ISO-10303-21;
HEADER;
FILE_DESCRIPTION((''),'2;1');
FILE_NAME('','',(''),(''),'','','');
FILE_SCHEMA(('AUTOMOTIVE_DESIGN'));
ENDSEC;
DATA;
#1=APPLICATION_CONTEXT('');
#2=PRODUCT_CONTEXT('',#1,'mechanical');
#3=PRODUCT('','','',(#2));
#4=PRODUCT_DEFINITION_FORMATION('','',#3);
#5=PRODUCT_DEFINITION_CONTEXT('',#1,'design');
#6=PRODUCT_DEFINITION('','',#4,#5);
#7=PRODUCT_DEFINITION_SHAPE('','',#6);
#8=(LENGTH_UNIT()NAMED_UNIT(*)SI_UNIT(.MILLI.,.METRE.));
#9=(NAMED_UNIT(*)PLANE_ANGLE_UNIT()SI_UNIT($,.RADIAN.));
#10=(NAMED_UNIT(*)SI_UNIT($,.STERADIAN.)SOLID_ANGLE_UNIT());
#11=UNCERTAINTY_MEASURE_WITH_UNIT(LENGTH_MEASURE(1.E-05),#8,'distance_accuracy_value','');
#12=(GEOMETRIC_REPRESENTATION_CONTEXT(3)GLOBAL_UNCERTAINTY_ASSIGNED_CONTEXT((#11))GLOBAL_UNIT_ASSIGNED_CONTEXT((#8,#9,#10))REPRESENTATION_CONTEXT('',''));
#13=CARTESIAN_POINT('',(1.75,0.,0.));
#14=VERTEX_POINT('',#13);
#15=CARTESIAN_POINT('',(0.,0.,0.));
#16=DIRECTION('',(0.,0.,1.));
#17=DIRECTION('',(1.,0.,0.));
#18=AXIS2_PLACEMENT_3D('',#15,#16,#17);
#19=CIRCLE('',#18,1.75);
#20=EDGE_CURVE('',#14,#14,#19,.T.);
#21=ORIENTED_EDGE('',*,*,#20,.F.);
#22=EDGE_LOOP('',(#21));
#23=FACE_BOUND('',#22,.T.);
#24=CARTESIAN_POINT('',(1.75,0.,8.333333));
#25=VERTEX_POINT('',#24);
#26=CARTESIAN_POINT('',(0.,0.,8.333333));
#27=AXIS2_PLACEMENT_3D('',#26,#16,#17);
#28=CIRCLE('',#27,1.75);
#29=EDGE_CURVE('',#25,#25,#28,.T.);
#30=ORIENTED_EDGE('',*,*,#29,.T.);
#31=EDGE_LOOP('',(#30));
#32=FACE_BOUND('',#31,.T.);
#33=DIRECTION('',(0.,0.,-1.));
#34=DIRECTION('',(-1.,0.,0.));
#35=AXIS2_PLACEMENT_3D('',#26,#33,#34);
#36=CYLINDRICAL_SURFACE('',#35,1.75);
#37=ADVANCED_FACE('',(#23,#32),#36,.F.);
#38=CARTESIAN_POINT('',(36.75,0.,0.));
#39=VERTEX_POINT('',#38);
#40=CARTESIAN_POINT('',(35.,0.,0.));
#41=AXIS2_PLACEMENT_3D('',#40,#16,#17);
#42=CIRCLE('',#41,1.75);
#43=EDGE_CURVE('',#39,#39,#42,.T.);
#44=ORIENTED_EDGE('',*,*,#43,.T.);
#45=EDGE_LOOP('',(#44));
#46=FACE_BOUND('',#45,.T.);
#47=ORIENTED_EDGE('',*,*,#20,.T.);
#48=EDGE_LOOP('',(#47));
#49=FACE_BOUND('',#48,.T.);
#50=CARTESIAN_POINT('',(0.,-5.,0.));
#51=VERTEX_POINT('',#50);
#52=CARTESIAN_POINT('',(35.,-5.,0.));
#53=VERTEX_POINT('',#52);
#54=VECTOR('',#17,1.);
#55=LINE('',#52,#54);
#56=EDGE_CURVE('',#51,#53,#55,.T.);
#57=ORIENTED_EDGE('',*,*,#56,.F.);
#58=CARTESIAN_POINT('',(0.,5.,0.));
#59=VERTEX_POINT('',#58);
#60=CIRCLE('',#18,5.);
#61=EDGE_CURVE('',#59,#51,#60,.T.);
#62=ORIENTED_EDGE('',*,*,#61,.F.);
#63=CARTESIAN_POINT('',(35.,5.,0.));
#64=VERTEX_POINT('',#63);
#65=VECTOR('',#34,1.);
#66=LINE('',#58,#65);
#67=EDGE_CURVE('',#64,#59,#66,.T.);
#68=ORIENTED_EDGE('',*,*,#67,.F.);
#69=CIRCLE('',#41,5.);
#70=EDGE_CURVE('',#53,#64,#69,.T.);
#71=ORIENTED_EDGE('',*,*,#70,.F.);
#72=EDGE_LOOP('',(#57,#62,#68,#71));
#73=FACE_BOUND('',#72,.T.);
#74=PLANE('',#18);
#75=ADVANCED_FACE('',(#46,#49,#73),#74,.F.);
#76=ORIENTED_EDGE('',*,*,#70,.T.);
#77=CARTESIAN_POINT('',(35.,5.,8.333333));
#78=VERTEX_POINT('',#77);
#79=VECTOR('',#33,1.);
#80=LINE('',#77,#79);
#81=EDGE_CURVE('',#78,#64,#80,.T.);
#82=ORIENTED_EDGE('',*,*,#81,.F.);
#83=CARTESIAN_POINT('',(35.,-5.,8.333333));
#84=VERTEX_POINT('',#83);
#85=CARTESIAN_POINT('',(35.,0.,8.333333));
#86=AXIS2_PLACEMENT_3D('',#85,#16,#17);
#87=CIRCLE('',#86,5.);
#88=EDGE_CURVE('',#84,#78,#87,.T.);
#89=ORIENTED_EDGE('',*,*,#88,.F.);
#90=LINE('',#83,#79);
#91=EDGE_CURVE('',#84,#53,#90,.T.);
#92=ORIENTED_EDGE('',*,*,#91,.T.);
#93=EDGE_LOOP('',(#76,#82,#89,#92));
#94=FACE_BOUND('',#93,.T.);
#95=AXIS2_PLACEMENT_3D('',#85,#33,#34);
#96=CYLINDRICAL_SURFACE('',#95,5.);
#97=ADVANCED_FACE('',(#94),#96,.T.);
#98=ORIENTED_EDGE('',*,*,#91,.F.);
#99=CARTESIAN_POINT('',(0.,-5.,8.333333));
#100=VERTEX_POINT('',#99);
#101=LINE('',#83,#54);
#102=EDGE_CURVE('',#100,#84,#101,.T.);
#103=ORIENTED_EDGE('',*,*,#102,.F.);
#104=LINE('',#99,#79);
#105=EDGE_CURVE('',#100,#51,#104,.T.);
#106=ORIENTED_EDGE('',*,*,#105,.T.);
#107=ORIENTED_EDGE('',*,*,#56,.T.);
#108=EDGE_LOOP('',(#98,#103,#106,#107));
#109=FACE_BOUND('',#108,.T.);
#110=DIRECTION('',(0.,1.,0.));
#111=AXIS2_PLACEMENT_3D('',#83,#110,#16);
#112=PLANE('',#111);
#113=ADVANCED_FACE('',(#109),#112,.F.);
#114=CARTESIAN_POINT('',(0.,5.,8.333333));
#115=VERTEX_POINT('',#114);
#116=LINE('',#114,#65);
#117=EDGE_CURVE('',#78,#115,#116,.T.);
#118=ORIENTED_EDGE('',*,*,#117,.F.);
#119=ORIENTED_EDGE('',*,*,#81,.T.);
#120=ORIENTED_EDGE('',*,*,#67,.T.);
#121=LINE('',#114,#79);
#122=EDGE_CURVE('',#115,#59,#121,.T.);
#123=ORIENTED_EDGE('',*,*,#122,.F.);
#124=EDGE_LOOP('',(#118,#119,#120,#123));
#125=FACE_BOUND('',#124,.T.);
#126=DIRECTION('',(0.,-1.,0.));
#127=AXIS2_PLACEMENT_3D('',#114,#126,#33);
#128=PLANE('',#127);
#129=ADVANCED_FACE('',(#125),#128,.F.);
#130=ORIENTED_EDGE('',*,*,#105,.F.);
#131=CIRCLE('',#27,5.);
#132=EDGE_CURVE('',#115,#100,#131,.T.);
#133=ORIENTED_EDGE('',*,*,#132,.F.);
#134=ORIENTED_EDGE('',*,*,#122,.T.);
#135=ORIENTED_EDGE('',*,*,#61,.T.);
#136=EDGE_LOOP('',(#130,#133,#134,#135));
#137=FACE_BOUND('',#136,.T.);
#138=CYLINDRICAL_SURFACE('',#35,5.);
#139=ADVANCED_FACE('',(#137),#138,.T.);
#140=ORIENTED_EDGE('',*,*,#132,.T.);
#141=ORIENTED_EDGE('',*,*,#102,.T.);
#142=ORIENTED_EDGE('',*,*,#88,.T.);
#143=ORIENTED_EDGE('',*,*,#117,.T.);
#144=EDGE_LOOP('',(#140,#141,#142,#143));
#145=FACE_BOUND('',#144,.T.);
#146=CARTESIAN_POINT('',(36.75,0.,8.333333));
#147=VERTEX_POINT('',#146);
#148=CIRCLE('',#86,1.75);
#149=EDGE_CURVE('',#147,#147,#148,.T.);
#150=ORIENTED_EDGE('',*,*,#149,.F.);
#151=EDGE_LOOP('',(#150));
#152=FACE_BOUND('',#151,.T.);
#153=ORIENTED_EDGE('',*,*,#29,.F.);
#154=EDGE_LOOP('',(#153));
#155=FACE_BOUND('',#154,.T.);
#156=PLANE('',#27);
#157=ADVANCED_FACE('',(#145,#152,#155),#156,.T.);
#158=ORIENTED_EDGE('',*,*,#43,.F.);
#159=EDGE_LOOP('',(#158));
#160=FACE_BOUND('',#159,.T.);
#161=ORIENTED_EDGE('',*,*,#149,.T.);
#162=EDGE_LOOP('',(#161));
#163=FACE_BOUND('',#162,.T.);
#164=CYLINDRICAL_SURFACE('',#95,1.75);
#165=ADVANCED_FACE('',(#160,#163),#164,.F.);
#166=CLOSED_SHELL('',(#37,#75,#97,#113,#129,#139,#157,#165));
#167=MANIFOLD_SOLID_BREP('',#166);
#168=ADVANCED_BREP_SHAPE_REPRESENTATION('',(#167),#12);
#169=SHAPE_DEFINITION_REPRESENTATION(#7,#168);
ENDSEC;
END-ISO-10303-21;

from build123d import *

# Parameters (mm, degrees)
SKETCH1_R           = 1.75
BOSS_EXTRUDE1_DEPTH = 8.333333333


with BuildPart() as part:
    # Sketch1 → Boss-Extrude1 (new body)
    with BuildSketch(Plane.XY):
        with BuildLine():
            Line((0, 5), (35, 5))
            ThreePointArc((35, 5), (40, 0), (35, -5))
            Line((35, -5), (0, -5))
            ThreePointArc((0, -5), (-5, 0), (0, 5))
        make_face()
        Circle(SKETCH1_R, mode=Mode.SUBTRACT)
        with Locations((35, 0)):
            Circle(SKETCH1_R, mode=Mode.SUBTRACT)
    extrude(amount=BOSS_EXTRUDE1_DEPTH)


solid = part.part
